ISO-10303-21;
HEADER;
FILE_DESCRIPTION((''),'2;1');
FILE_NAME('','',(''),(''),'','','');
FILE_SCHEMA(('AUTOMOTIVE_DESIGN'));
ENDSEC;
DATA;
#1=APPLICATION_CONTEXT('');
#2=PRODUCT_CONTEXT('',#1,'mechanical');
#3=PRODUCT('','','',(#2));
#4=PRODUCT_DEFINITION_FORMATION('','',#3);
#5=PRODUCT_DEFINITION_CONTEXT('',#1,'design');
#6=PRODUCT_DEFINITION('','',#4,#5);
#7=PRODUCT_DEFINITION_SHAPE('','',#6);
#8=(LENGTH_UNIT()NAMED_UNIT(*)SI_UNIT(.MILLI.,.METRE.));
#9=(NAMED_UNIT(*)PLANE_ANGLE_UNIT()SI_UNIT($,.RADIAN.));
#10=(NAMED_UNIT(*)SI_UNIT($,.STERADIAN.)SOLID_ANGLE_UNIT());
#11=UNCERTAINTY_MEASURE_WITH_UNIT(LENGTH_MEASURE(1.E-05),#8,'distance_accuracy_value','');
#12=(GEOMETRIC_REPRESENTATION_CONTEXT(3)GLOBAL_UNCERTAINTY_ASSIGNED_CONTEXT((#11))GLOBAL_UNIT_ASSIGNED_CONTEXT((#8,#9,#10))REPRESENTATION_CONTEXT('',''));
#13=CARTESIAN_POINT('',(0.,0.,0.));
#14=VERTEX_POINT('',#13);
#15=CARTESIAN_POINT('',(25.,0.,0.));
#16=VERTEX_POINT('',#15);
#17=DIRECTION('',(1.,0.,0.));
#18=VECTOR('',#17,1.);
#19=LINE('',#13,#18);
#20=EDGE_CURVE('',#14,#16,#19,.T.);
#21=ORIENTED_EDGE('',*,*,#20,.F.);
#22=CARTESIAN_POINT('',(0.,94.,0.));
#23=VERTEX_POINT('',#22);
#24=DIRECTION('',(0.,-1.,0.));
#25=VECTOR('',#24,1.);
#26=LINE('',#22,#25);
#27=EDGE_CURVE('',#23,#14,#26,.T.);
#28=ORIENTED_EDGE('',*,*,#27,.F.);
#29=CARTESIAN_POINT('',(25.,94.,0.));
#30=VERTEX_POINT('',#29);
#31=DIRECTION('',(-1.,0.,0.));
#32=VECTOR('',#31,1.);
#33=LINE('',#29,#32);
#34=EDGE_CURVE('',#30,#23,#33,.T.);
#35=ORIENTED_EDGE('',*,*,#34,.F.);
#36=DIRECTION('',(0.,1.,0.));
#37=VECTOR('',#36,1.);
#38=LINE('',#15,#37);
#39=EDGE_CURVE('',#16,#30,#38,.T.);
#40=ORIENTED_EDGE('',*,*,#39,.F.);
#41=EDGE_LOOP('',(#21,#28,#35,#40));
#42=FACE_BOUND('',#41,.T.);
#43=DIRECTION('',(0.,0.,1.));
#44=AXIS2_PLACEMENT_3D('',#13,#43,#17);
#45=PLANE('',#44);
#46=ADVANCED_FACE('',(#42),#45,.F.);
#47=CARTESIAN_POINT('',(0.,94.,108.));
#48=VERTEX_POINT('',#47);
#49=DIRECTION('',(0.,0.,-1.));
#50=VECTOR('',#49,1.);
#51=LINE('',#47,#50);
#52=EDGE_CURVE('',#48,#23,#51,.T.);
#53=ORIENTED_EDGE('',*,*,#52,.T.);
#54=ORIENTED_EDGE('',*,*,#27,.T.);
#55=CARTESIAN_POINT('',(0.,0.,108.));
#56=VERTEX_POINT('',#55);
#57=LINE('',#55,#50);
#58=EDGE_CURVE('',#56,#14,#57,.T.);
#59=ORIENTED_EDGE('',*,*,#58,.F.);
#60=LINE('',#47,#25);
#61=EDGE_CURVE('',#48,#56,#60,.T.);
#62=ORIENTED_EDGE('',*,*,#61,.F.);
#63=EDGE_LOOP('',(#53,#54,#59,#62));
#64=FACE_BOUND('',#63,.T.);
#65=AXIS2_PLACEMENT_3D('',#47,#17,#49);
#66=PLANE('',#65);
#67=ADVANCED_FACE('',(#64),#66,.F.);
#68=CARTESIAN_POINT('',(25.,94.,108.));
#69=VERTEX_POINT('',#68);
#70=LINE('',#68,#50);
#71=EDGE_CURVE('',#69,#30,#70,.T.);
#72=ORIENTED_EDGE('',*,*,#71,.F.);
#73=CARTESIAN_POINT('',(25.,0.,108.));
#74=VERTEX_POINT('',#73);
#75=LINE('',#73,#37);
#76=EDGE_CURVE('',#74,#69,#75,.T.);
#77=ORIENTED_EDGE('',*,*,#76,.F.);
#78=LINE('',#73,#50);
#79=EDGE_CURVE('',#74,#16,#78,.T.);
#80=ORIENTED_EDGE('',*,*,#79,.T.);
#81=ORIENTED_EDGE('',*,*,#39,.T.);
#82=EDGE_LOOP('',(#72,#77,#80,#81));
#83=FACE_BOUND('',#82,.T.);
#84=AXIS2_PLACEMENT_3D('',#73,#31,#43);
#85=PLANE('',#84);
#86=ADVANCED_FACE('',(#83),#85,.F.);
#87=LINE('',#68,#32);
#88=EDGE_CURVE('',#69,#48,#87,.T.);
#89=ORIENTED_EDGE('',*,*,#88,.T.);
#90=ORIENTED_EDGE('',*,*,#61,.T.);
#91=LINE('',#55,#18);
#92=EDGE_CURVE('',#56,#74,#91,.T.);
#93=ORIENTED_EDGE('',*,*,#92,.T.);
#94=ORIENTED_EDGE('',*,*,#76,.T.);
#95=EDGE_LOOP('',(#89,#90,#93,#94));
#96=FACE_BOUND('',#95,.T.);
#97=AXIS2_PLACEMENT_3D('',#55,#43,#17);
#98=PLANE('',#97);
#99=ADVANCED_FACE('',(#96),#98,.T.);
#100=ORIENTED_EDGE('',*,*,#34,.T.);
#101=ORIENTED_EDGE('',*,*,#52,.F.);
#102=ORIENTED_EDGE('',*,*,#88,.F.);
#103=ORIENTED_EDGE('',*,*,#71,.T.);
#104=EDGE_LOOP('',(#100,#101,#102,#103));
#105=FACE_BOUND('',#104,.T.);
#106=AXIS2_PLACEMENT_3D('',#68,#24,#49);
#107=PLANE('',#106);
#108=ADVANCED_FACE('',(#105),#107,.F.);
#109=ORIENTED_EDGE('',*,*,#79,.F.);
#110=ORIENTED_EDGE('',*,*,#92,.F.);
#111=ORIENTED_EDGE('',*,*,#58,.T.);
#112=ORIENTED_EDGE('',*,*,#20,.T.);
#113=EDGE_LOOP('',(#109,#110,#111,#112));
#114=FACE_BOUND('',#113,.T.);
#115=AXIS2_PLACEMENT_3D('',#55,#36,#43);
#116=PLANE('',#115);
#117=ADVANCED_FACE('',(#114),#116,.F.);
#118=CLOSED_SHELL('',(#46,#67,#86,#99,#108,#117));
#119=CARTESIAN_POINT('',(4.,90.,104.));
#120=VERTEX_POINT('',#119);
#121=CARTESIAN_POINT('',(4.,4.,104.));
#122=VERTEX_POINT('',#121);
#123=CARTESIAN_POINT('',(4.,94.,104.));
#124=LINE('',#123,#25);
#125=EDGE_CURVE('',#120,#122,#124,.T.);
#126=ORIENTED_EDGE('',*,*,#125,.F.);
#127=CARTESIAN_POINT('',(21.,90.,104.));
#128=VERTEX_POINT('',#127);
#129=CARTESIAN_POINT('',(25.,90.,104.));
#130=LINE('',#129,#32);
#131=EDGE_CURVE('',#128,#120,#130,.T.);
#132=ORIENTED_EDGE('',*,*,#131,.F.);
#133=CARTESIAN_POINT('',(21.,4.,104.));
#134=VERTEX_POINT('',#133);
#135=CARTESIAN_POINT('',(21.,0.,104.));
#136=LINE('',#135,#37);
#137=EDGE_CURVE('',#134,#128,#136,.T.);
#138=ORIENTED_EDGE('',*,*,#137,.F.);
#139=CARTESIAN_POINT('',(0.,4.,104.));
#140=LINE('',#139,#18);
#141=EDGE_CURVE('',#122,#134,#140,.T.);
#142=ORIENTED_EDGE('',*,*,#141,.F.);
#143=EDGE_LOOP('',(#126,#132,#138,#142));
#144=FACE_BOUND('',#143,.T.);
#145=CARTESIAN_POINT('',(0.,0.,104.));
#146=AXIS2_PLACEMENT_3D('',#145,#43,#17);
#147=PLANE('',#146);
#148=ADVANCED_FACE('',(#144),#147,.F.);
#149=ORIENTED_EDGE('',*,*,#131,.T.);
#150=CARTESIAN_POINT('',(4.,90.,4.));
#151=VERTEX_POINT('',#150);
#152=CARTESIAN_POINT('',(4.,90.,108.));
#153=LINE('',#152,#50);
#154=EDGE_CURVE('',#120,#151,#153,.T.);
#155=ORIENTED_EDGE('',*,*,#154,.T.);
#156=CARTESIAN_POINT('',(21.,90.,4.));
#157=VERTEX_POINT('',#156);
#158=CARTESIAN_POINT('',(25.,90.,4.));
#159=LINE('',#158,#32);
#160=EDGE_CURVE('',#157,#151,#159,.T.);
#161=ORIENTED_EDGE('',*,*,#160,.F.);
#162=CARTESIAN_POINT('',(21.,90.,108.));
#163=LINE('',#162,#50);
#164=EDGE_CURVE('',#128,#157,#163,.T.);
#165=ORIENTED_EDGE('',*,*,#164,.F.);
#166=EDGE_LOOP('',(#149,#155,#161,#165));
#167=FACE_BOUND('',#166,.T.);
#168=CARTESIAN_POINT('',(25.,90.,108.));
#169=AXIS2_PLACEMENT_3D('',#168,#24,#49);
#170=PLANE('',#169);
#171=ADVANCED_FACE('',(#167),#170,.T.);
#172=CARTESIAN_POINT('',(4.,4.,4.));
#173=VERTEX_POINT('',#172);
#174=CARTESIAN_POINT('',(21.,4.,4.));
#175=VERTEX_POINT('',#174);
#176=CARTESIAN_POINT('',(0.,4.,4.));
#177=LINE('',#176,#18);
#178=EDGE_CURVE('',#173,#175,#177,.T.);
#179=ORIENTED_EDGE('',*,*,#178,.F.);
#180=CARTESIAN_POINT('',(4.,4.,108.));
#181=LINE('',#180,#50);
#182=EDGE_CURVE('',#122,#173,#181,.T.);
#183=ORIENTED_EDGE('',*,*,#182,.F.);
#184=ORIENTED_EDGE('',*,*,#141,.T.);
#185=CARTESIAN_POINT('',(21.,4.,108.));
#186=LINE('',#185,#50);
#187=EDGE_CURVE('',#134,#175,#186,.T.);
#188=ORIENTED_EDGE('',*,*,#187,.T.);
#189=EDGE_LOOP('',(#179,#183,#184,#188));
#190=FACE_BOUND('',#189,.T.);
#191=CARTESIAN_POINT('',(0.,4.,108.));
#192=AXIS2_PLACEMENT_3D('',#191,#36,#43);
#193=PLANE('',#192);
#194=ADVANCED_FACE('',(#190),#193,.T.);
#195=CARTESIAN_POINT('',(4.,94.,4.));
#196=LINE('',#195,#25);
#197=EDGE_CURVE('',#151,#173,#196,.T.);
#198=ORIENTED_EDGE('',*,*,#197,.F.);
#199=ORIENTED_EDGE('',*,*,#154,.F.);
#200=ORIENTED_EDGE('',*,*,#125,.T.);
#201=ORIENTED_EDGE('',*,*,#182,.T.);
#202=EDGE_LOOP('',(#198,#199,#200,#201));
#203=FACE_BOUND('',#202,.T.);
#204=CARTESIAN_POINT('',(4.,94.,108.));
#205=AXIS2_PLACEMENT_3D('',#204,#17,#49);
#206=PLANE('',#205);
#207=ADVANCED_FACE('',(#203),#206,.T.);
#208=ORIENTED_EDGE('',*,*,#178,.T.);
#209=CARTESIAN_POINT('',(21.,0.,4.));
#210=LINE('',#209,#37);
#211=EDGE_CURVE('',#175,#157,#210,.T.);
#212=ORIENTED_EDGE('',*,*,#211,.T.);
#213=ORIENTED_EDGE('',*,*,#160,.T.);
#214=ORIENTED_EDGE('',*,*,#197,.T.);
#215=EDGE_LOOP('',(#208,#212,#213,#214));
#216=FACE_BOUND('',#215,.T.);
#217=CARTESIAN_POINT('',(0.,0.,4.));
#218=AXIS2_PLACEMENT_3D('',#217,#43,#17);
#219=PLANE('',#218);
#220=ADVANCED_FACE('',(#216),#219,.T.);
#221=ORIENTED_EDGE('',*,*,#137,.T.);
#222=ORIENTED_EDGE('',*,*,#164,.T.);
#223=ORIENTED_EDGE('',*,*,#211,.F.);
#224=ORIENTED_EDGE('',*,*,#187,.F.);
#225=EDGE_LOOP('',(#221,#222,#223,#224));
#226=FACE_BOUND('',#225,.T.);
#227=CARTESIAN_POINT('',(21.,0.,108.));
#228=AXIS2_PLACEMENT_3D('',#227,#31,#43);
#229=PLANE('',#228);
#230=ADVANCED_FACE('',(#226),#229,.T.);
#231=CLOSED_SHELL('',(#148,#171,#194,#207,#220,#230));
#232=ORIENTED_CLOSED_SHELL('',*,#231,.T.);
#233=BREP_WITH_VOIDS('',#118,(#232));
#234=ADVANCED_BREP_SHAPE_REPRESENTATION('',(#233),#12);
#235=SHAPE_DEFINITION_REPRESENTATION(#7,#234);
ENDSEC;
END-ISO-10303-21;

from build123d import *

# Parameters (mm, degrees)
SKETCH_1_W      = 25
SKETCH_1_H      = 94
EXTRUDE_1_DEPTH = 108
SHELL_2_T       = 4


with BuildPart() as part:
    # 草图1 → 凸台-拉伸1 (new body)
    with BuildSketch(Plane.XY):
        with Locations((12.5, 47)):
            Rectangle(SKETCH_1_W, SKETCH_1_H)
    extrude(amount=EXTRUDE_1_DEPTH)

    # 抽壳2 (no face opened: a closed hollow body)
    add(offset(amount=-SHELL_2_T, mode=Mode.PRIVATE), mode=Mode.SUBTRACT)


solid = part.part
